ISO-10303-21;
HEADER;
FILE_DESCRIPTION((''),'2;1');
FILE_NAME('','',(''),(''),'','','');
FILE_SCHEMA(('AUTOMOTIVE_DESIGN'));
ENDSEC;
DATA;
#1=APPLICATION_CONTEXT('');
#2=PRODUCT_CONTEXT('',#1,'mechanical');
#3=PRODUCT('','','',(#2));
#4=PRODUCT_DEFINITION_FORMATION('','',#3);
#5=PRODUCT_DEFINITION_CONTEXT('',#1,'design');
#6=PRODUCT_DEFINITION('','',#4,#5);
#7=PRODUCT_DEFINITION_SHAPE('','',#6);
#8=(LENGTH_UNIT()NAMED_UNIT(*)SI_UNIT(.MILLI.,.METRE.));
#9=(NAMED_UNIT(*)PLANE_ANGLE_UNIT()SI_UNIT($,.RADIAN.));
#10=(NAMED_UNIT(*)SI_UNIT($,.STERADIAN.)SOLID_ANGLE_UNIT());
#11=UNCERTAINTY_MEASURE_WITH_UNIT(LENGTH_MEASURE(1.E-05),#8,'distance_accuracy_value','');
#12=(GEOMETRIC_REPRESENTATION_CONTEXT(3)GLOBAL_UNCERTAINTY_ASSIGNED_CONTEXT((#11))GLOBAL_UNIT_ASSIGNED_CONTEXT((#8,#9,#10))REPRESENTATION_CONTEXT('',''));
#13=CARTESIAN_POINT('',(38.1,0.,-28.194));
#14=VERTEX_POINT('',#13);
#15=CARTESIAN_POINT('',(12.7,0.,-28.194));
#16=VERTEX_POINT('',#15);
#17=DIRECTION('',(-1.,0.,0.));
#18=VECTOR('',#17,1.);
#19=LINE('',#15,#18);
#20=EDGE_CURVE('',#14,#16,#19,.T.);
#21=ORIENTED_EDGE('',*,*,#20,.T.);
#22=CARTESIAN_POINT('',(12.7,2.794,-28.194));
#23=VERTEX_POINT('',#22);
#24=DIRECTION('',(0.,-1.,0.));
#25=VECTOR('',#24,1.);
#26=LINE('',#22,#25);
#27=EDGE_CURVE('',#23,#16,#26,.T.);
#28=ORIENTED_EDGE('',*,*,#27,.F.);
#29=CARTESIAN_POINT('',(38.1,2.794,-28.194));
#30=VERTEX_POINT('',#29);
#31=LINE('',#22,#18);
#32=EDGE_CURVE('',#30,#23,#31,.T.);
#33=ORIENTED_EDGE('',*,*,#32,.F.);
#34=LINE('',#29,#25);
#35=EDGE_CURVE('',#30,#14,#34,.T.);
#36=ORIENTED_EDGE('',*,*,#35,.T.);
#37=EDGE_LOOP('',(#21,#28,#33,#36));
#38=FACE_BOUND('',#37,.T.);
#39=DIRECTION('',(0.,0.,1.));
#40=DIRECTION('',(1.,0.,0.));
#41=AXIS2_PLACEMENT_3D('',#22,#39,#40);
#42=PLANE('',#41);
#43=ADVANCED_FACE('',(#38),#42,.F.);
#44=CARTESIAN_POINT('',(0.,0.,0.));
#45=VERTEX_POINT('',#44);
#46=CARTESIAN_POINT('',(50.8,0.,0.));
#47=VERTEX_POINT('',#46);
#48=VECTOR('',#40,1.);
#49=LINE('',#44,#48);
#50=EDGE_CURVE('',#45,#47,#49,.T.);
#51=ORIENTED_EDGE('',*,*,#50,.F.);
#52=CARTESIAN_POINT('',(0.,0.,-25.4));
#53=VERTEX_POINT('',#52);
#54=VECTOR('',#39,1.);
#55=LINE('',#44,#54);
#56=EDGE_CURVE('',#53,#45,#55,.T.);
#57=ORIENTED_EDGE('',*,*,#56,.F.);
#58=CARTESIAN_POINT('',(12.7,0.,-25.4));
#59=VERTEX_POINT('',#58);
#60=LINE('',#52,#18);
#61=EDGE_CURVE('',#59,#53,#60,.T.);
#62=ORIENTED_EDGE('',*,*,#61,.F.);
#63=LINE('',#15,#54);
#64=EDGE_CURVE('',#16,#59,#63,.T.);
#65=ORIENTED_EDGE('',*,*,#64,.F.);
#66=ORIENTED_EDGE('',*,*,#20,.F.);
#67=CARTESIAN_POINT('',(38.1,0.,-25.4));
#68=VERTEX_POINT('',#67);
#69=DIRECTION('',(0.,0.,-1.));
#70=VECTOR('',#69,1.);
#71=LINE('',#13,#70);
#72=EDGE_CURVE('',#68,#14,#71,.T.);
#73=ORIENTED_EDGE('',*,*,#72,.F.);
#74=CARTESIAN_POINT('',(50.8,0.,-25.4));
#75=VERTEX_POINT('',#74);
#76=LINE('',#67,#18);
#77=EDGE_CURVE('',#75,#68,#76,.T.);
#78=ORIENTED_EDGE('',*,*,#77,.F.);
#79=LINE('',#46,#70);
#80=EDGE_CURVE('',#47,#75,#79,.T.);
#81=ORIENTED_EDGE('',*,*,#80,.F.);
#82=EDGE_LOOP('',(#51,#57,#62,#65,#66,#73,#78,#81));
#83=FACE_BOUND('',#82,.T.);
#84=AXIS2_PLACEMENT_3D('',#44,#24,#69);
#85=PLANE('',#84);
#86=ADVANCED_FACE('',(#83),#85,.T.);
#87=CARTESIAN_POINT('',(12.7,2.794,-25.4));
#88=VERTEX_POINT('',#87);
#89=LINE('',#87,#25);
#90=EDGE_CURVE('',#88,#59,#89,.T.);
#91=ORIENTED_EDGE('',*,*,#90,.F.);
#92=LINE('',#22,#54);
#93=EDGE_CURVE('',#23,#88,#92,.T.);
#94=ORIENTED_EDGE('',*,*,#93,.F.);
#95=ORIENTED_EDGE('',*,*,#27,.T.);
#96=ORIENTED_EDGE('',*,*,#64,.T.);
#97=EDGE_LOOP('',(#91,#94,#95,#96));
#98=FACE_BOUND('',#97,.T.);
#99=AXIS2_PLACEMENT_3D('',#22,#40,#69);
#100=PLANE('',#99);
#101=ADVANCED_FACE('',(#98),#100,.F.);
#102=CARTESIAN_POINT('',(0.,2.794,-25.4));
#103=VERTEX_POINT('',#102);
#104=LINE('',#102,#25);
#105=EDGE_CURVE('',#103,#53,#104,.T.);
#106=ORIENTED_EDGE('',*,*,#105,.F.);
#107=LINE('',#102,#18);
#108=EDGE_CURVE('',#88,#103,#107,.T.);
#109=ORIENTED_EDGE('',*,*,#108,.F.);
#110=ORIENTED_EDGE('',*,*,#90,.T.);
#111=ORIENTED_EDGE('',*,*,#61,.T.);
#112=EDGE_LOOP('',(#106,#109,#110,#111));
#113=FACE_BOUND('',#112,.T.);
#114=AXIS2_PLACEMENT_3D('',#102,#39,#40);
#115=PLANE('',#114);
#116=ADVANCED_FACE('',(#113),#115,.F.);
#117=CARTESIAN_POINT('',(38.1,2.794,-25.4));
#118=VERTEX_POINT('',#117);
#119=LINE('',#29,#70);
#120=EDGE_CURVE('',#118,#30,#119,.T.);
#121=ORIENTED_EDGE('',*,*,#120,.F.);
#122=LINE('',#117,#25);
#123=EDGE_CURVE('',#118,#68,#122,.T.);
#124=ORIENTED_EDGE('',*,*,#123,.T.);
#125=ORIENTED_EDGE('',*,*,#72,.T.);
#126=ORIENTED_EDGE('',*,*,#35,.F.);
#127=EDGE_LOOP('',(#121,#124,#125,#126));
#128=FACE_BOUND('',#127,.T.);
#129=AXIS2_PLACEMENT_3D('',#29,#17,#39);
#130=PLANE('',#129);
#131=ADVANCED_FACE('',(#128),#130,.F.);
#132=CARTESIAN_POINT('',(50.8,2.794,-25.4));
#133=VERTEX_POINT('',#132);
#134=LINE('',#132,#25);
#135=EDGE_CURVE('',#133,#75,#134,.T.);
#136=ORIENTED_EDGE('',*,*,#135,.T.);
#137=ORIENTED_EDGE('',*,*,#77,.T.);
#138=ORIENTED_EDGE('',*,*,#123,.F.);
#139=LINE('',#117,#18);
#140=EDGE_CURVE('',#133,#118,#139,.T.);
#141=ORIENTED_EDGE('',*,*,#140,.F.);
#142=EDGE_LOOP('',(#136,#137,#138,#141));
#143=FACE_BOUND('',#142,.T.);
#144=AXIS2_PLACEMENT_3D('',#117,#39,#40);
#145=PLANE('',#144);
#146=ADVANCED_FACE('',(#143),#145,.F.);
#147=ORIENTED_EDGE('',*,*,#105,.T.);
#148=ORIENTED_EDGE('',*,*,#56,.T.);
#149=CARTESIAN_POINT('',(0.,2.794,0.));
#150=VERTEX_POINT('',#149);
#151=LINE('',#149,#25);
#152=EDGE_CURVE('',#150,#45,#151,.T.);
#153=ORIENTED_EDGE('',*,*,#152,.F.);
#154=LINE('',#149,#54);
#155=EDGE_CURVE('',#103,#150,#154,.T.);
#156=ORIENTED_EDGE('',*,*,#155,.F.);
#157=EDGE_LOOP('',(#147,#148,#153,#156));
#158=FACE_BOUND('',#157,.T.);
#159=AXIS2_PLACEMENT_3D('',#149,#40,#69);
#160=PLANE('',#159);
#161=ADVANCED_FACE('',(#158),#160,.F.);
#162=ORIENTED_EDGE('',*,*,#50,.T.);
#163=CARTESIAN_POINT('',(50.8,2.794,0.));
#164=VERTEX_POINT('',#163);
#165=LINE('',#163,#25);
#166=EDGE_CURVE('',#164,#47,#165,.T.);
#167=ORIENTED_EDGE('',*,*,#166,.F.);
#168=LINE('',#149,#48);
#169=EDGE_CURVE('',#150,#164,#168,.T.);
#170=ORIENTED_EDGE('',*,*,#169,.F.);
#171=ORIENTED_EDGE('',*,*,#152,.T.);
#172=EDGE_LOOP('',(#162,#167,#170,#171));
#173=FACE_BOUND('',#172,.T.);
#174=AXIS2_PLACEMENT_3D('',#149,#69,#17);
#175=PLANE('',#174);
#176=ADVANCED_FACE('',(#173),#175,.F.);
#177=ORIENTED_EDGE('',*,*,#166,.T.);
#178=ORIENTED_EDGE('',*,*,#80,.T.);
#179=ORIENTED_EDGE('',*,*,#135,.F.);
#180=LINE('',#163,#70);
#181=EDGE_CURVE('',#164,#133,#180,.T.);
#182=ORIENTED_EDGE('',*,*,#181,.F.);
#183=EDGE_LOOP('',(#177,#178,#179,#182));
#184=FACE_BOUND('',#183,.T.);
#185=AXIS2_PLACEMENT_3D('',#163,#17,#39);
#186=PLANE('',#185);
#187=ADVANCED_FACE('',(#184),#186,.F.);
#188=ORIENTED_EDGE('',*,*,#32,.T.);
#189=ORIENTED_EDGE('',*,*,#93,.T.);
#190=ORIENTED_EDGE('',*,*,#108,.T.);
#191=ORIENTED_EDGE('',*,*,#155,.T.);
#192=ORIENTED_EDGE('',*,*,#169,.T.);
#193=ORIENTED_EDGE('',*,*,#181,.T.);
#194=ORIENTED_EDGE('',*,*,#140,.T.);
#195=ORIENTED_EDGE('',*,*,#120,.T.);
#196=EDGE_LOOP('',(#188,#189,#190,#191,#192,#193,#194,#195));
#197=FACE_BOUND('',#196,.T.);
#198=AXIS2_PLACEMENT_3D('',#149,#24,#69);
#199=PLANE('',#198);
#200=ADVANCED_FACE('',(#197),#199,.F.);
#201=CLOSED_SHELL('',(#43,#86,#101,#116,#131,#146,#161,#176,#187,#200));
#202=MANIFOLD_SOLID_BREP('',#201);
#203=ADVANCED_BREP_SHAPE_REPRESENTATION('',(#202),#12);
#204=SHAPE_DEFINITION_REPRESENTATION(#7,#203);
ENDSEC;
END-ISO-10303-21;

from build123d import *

# Parameters (mm, degrees)
BOSS_EXTRUDE1_DEPTH = 2.794


with BuildPart() as part:
    # Sketch1 → Boss-Extrude1 (new body)
    with BuildSketch(Plane(origin=(0, 0, 0), x_dir=(1, 0, 0), z_dir=(0, 1, 0))):
        Polygon((38.1, 25.4), (50.8, 25.4), (50.8, 0), (0, 0), (0, 25.4), (12.7, 25.4), (12.7, 28.194), (38.1, 28.194), align=None)
    extrude(amount=BOSS_EXTRUDE1_DEPTH)


solid = part.part
